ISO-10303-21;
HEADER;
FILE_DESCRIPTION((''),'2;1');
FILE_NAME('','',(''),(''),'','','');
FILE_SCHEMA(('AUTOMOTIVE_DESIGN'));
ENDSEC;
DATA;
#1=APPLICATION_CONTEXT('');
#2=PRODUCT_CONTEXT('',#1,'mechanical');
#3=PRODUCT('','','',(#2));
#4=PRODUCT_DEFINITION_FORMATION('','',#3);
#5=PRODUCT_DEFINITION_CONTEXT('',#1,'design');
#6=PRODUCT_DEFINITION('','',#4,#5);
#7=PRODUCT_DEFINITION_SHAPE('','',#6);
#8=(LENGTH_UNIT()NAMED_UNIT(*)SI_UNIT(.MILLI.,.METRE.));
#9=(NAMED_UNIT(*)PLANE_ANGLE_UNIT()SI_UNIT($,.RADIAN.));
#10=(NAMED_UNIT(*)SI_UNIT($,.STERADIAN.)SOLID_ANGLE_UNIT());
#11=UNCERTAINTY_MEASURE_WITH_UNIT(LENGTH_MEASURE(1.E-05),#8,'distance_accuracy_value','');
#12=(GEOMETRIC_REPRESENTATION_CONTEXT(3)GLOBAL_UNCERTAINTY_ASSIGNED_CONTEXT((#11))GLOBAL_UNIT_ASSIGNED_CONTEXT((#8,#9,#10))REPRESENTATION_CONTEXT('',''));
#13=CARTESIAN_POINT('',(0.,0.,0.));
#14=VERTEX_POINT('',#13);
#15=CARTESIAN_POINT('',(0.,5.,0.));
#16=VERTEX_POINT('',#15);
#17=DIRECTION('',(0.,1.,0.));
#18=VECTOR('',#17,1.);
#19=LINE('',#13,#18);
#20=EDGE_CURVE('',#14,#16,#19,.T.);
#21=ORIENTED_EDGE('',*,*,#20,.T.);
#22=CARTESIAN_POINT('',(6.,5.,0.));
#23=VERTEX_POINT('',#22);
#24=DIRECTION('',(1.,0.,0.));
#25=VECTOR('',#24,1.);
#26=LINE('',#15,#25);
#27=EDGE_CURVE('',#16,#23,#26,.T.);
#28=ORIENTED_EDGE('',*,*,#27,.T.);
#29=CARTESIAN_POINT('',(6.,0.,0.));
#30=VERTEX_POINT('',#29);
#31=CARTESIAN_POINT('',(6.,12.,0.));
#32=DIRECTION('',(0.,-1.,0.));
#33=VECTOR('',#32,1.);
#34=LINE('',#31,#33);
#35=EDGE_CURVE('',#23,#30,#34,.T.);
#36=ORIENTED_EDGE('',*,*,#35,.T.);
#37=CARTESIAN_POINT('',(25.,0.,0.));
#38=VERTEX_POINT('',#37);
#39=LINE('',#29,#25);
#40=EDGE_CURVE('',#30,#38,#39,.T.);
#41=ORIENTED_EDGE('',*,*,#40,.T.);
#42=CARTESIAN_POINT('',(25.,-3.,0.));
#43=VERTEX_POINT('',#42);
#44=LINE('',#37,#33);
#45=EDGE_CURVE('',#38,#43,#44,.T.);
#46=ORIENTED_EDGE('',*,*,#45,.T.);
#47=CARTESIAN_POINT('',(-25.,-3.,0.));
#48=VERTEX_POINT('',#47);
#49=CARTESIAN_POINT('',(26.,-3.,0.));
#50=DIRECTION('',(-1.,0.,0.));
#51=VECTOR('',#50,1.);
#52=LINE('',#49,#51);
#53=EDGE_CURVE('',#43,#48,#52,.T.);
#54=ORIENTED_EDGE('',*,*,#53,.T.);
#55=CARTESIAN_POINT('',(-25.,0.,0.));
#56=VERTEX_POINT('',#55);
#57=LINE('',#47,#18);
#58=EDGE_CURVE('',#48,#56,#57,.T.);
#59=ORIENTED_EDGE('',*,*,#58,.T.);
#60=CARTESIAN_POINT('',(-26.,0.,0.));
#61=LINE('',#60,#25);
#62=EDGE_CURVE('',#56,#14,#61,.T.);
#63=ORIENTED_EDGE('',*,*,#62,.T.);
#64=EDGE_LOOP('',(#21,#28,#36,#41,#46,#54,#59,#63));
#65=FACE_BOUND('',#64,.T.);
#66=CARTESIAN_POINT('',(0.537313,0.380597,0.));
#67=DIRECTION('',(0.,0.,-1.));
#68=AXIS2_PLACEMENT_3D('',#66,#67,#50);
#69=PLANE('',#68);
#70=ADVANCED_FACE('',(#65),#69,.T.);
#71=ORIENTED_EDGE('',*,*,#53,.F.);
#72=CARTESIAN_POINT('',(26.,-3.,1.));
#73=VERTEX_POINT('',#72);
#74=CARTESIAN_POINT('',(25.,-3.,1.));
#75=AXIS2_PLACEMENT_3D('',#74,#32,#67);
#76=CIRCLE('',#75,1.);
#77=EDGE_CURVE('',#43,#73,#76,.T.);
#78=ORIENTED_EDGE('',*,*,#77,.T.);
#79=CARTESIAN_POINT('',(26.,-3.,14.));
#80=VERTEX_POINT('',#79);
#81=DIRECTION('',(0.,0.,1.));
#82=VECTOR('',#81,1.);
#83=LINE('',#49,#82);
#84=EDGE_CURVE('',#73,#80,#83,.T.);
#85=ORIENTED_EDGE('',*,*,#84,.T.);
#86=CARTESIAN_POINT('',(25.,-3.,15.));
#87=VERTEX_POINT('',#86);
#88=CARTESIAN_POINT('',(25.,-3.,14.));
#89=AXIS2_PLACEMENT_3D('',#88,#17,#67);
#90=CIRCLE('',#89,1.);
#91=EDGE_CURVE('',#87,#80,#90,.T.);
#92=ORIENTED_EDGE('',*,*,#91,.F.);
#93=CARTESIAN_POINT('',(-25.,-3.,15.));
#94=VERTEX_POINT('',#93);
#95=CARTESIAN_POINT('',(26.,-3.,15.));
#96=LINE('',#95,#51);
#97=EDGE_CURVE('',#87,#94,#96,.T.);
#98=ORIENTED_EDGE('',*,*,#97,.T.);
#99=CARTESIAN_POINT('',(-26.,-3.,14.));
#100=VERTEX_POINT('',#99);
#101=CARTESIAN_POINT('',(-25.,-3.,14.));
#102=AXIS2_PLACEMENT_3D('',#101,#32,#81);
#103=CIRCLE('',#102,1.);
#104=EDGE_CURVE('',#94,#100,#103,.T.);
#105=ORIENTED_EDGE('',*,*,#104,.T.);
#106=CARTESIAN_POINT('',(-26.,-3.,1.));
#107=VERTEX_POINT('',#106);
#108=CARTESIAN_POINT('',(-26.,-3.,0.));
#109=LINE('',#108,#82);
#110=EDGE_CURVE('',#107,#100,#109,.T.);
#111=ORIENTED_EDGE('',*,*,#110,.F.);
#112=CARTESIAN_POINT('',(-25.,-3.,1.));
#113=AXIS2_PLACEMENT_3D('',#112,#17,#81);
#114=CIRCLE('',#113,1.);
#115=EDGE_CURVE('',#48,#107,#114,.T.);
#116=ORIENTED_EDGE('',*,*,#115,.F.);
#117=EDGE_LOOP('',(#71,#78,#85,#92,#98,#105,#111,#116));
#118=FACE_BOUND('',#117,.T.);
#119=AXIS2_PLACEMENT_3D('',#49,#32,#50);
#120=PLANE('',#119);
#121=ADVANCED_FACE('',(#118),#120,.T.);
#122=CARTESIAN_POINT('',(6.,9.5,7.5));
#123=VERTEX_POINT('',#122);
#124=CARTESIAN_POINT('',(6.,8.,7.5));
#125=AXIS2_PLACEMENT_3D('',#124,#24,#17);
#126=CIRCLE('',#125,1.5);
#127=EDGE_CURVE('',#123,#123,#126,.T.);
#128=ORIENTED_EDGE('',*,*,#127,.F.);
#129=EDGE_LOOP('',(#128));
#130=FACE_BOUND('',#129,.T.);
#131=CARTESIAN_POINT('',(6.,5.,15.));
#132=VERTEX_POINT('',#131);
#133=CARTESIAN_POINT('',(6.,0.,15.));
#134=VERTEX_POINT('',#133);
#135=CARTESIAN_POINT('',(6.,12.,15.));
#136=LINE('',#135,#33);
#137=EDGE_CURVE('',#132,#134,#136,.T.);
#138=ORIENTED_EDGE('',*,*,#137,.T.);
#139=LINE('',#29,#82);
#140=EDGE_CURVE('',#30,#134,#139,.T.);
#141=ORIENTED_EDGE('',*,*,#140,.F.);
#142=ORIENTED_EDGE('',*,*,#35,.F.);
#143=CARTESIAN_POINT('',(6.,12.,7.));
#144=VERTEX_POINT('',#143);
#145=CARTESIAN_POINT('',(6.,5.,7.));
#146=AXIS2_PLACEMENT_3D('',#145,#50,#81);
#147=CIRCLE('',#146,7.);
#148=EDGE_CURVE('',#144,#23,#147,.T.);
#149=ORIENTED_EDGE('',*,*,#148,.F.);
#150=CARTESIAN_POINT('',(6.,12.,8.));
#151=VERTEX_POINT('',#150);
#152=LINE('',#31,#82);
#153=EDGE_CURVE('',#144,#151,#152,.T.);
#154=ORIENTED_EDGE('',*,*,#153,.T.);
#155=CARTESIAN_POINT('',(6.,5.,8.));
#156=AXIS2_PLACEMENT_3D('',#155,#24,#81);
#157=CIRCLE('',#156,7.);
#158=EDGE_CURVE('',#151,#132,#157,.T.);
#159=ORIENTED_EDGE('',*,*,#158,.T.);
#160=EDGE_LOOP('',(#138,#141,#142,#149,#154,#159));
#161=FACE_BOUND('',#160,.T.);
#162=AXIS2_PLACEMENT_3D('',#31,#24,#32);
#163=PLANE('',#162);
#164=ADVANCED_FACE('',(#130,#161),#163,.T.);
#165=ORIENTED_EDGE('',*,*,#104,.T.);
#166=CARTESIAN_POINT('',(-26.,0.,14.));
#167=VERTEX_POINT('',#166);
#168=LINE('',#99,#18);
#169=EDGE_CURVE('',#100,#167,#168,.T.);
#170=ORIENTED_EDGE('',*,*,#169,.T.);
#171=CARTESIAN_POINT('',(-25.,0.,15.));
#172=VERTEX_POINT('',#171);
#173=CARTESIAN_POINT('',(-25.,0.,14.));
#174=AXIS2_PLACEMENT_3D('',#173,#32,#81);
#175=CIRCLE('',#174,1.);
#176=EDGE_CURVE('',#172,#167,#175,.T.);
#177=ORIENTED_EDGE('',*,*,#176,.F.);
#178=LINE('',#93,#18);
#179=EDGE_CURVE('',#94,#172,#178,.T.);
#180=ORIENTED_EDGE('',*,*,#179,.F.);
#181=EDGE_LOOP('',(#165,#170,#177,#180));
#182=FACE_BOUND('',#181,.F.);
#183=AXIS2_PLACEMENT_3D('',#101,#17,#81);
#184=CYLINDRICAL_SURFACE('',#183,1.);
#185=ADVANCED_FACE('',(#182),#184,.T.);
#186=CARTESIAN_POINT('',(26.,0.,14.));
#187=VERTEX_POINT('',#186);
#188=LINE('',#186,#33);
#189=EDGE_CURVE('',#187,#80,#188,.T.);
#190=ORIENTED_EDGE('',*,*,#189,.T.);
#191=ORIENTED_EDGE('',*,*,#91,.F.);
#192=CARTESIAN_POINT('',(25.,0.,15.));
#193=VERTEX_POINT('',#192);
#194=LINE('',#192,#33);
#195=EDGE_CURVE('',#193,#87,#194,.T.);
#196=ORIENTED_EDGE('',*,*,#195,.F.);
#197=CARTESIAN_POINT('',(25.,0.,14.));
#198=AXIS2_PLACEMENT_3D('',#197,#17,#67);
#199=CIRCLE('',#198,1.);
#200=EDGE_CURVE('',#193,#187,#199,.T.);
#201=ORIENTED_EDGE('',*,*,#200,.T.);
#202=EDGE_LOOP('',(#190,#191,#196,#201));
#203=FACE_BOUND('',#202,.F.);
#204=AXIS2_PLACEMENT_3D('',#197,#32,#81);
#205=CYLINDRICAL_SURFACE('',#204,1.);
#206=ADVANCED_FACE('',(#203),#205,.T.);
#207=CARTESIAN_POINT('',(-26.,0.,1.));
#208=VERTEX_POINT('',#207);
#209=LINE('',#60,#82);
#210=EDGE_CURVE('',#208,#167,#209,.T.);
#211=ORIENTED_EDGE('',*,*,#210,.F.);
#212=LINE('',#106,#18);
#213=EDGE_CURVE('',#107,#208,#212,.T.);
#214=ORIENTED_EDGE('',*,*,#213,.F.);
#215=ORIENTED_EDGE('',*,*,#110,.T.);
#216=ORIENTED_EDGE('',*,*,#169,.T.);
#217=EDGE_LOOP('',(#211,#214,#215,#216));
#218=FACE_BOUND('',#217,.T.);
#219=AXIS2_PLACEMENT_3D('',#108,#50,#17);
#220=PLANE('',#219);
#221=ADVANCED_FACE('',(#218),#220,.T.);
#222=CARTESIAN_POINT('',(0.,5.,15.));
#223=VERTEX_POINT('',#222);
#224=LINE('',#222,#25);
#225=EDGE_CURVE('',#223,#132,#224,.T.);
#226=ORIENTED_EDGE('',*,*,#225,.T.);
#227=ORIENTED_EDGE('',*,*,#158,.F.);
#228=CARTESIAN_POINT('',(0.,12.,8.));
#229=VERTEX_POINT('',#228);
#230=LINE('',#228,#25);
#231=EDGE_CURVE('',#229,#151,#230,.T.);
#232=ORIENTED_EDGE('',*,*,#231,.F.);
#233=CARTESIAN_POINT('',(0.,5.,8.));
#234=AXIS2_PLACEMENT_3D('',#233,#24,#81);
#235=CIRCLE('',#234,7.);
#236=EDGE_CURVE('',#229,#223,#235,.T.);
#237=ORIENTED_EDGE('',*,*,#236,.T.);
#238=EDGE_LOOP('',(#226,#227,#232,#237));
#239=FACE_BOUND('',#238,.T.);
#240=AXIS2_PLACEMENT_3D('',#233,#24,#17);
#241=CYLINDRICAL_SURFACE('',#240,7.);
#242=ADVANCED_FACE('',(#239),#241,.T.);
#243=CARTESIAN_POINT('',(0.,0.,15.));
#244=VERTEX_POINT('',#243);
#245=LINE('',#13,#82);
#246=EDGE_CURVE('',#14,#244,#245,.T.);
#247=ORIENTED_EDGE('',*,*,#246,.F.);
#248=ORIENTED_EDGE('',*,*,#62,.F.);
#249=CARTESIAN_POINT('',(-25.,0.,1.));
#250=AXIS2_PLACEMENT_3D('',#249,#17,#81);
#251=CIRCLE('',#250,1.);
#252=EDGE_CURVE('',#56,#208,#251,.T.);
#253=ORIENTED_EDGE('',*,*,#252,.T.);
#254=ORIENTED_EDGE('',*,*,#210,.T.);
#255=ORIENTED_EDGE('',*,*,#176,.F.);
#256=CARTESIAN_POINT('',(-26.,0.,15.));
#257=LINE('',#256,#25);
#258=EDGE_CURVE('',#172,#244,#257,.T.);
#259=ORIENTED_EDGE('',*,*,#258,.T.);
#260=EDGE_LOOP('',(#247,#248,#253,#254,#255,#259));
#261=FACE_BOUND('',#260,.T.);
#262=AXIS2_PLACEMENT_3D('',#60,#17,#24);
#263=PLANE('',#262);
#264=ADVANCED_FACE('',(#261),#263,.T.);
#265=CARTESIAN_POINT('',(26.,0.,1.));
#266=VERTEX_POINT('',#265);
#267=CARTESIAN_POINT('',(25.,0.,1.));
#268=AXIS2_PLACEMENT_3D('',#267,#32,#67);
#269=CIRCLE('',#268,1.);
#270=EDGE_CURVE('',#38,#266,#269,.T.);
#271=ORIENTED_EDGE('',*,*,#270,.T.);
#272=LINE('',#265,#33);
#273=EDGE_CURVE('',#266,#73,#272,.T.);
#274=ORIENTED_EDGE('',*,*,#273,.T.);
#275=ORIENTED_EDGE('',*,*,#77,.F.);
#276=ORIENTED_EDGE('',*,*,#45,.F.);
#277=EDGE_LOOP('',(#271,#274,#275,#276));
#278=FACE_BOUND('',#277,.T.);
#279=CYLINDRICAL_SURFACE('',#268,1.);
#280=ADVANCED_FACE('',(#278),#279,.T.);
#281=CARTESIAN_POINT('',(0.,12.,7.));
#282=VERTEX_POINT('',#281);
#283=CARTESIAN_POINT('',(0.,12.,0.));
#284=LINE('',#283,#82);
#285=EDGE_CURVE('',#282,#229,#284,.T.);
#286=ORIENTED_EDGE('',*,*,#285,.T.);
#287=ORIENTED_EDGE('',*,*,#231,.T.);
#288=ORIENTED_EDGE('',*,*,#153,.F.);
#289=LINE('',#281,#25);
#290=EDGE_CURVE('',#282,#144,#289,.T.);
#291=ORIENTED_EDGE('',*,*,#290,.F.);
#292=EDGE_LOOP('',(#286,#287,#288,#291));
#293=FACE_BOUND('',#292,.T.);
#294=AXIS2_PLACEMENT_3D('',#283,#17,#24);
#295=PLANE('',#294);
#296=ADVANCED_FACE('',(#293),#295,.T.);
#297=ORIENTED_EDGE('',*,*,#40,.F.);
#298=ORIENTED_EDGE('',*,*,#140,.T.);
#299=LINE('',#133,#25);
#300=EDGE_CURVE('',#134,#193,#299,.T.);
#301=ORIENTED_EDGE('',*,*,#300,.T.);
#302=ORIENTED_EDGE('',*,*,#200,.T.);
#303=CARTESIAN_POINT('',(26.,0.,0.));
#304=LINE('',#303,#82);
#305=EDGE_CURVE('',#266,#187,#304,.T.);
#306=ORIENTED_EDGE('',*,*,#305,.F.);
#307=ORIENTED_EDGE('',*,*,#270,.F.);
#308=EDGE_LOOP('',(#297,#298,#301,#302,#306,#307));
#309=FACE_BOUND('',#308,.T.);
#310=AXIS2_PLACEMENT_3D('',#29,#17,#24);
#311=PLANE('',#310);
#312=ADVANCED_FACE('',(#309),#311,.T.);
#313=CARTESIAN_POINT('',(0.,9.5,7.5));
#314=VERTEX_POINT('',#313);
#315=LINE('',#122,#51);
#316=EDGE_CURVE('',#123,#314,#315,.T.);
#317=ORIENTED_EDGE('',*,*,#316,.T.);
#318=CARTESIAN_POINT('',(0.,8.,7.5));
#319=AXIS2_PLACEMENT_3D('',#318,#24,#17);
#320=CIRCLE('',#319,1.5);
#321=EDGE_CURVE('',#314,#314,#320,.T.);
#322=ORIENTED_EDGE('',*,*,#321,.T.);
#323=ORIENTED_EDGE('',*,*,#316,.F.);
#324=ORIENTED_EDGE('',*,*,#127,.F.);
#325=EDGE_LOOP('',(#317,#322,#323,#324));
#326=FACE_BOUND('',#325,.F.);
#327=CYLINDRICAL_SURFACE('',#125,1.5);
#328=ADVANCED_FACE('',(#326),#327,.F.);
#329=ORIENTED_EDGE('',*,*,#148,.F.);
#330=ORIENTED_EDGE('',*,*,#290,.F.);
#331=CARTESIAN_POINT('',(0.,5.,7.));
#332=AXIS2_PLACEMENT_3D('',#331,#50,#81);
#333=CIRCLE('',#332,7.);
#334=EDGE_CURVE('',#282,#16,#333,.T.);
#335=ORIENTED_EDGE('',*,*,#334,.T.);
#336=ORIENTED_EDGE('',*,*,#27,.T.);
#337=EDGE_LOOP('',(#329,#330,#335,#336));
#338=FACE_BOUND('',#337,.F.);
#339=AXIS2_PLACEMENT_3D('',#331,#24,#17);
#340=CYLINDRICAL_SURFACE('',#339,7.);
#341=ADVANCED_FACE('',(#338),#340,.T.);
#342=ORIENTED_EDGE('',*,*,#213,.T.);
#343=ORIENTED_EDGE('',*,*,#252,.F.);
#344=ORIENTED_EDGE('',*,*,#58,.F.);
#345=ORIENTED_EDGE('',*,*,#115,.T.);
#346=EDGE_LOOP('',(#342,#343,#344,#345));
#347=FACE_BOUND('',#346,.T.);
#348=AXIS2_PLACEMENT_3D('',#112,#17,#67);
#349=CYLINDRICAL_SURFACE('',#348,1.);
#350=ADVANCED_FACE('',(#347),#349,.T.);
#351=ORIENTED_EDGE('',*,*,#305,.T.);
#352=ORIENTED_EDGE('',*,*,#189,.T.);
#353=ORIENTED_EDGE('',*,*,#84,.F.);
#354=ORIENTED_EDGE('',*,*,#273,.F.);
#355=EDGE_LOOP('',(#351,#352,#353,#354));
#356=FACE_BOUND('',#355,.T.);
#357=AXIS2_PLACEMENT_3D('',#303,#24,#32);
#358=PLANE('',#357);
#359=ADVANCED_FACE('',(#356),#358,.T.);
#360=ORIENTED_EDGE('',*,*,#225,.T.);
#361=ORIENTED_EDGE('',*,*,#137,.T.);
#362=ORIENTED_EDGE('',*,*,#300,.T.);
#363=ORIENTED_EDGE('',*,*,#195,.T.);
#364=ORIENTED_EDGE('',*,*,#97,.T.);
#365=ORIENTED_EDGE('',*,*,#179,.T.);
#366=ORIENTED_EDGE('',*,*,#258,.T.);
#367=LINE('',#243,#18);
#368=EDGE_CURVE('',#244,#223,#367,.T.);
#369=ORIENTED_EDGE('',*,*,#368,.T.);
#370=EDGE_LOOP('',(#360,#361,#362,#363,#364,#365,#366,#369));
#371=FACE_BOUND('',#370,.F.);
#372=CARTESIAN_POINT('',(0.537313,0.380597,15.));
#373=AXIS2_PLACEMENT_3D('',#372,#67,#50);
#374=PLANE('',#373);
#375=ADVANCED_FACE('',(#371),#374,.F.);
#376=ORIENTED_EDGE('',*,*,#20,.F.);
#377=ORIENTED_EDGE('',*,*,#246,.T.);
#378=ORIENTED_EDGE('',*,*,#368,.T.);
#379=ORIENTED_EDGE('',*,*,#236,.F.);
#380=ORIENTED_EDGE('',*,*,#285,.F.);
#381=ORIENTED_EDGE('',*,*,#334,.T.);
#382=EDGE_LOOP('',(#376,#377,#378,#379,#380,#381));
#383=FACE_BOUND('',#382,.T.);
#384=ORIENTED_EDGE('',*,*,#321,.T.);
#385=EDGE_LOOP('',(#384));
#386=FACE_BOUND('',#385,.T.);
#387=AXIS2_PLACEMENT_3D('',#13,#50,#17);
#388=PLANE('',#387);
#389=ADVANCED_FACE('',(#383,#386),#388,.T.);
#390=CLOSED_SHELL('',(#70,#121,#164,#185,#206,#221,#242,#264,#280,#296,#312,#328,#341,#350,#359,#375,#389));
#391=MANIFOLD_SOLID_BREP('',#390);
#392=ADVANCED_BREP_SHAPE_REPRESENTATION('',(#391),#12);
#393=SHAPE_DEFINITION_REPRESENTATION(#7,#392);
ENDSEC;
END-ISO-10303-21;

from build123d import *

# Parameters (mm, degrees)
PAD_DEPTH    = 15
FILLET_R     = 7
FILLET001_R  = 1
SKETCH001_R  = 1.5
POCKET_DEPTH = 32.001


with BuildPart() as part:
    # Sketch → Pad (new body)
    with BuildSketch(Plane.XY):
        Polygon((-26, 0), (0, 0), (0, 12), (6, 12), (6, 0), (26, 0), (26, -3), (-26, -3), align=None)
    extrude(amount=PAD_DEPTH)

    # Fillet
    fillet_edges = [part.edges().sort_by_distance(p)[0] for p in [
        (3, 12, 0),
        (3, 12, 15),
    ]]
    fillet(fillet_edges, radius=FILLET_R)

    # Fillet001
    fillet001_edges = [part.edges().sort_by_distance(p)[0] for p in [
        (26, -1.5, 0),
        (26, -1.5, 15),
        (-26, -1.5, 0),
        (-26, -1.5, 15),
    ]]
    fillet(fillet001_edges, radius=FILLET001_R)

    # Sketch001 (on Face8 of Fillet001) → Pocket (cut, through all)
    with BuildSketch(Plane.YZ.offset(6)):
        with Locations((8, 7.5)):
            Circle(SKETCH001_R)
    extrude(amount=-POCKET_DEPTH, mode=Mode.SUBTRACT)


solid = part.part
